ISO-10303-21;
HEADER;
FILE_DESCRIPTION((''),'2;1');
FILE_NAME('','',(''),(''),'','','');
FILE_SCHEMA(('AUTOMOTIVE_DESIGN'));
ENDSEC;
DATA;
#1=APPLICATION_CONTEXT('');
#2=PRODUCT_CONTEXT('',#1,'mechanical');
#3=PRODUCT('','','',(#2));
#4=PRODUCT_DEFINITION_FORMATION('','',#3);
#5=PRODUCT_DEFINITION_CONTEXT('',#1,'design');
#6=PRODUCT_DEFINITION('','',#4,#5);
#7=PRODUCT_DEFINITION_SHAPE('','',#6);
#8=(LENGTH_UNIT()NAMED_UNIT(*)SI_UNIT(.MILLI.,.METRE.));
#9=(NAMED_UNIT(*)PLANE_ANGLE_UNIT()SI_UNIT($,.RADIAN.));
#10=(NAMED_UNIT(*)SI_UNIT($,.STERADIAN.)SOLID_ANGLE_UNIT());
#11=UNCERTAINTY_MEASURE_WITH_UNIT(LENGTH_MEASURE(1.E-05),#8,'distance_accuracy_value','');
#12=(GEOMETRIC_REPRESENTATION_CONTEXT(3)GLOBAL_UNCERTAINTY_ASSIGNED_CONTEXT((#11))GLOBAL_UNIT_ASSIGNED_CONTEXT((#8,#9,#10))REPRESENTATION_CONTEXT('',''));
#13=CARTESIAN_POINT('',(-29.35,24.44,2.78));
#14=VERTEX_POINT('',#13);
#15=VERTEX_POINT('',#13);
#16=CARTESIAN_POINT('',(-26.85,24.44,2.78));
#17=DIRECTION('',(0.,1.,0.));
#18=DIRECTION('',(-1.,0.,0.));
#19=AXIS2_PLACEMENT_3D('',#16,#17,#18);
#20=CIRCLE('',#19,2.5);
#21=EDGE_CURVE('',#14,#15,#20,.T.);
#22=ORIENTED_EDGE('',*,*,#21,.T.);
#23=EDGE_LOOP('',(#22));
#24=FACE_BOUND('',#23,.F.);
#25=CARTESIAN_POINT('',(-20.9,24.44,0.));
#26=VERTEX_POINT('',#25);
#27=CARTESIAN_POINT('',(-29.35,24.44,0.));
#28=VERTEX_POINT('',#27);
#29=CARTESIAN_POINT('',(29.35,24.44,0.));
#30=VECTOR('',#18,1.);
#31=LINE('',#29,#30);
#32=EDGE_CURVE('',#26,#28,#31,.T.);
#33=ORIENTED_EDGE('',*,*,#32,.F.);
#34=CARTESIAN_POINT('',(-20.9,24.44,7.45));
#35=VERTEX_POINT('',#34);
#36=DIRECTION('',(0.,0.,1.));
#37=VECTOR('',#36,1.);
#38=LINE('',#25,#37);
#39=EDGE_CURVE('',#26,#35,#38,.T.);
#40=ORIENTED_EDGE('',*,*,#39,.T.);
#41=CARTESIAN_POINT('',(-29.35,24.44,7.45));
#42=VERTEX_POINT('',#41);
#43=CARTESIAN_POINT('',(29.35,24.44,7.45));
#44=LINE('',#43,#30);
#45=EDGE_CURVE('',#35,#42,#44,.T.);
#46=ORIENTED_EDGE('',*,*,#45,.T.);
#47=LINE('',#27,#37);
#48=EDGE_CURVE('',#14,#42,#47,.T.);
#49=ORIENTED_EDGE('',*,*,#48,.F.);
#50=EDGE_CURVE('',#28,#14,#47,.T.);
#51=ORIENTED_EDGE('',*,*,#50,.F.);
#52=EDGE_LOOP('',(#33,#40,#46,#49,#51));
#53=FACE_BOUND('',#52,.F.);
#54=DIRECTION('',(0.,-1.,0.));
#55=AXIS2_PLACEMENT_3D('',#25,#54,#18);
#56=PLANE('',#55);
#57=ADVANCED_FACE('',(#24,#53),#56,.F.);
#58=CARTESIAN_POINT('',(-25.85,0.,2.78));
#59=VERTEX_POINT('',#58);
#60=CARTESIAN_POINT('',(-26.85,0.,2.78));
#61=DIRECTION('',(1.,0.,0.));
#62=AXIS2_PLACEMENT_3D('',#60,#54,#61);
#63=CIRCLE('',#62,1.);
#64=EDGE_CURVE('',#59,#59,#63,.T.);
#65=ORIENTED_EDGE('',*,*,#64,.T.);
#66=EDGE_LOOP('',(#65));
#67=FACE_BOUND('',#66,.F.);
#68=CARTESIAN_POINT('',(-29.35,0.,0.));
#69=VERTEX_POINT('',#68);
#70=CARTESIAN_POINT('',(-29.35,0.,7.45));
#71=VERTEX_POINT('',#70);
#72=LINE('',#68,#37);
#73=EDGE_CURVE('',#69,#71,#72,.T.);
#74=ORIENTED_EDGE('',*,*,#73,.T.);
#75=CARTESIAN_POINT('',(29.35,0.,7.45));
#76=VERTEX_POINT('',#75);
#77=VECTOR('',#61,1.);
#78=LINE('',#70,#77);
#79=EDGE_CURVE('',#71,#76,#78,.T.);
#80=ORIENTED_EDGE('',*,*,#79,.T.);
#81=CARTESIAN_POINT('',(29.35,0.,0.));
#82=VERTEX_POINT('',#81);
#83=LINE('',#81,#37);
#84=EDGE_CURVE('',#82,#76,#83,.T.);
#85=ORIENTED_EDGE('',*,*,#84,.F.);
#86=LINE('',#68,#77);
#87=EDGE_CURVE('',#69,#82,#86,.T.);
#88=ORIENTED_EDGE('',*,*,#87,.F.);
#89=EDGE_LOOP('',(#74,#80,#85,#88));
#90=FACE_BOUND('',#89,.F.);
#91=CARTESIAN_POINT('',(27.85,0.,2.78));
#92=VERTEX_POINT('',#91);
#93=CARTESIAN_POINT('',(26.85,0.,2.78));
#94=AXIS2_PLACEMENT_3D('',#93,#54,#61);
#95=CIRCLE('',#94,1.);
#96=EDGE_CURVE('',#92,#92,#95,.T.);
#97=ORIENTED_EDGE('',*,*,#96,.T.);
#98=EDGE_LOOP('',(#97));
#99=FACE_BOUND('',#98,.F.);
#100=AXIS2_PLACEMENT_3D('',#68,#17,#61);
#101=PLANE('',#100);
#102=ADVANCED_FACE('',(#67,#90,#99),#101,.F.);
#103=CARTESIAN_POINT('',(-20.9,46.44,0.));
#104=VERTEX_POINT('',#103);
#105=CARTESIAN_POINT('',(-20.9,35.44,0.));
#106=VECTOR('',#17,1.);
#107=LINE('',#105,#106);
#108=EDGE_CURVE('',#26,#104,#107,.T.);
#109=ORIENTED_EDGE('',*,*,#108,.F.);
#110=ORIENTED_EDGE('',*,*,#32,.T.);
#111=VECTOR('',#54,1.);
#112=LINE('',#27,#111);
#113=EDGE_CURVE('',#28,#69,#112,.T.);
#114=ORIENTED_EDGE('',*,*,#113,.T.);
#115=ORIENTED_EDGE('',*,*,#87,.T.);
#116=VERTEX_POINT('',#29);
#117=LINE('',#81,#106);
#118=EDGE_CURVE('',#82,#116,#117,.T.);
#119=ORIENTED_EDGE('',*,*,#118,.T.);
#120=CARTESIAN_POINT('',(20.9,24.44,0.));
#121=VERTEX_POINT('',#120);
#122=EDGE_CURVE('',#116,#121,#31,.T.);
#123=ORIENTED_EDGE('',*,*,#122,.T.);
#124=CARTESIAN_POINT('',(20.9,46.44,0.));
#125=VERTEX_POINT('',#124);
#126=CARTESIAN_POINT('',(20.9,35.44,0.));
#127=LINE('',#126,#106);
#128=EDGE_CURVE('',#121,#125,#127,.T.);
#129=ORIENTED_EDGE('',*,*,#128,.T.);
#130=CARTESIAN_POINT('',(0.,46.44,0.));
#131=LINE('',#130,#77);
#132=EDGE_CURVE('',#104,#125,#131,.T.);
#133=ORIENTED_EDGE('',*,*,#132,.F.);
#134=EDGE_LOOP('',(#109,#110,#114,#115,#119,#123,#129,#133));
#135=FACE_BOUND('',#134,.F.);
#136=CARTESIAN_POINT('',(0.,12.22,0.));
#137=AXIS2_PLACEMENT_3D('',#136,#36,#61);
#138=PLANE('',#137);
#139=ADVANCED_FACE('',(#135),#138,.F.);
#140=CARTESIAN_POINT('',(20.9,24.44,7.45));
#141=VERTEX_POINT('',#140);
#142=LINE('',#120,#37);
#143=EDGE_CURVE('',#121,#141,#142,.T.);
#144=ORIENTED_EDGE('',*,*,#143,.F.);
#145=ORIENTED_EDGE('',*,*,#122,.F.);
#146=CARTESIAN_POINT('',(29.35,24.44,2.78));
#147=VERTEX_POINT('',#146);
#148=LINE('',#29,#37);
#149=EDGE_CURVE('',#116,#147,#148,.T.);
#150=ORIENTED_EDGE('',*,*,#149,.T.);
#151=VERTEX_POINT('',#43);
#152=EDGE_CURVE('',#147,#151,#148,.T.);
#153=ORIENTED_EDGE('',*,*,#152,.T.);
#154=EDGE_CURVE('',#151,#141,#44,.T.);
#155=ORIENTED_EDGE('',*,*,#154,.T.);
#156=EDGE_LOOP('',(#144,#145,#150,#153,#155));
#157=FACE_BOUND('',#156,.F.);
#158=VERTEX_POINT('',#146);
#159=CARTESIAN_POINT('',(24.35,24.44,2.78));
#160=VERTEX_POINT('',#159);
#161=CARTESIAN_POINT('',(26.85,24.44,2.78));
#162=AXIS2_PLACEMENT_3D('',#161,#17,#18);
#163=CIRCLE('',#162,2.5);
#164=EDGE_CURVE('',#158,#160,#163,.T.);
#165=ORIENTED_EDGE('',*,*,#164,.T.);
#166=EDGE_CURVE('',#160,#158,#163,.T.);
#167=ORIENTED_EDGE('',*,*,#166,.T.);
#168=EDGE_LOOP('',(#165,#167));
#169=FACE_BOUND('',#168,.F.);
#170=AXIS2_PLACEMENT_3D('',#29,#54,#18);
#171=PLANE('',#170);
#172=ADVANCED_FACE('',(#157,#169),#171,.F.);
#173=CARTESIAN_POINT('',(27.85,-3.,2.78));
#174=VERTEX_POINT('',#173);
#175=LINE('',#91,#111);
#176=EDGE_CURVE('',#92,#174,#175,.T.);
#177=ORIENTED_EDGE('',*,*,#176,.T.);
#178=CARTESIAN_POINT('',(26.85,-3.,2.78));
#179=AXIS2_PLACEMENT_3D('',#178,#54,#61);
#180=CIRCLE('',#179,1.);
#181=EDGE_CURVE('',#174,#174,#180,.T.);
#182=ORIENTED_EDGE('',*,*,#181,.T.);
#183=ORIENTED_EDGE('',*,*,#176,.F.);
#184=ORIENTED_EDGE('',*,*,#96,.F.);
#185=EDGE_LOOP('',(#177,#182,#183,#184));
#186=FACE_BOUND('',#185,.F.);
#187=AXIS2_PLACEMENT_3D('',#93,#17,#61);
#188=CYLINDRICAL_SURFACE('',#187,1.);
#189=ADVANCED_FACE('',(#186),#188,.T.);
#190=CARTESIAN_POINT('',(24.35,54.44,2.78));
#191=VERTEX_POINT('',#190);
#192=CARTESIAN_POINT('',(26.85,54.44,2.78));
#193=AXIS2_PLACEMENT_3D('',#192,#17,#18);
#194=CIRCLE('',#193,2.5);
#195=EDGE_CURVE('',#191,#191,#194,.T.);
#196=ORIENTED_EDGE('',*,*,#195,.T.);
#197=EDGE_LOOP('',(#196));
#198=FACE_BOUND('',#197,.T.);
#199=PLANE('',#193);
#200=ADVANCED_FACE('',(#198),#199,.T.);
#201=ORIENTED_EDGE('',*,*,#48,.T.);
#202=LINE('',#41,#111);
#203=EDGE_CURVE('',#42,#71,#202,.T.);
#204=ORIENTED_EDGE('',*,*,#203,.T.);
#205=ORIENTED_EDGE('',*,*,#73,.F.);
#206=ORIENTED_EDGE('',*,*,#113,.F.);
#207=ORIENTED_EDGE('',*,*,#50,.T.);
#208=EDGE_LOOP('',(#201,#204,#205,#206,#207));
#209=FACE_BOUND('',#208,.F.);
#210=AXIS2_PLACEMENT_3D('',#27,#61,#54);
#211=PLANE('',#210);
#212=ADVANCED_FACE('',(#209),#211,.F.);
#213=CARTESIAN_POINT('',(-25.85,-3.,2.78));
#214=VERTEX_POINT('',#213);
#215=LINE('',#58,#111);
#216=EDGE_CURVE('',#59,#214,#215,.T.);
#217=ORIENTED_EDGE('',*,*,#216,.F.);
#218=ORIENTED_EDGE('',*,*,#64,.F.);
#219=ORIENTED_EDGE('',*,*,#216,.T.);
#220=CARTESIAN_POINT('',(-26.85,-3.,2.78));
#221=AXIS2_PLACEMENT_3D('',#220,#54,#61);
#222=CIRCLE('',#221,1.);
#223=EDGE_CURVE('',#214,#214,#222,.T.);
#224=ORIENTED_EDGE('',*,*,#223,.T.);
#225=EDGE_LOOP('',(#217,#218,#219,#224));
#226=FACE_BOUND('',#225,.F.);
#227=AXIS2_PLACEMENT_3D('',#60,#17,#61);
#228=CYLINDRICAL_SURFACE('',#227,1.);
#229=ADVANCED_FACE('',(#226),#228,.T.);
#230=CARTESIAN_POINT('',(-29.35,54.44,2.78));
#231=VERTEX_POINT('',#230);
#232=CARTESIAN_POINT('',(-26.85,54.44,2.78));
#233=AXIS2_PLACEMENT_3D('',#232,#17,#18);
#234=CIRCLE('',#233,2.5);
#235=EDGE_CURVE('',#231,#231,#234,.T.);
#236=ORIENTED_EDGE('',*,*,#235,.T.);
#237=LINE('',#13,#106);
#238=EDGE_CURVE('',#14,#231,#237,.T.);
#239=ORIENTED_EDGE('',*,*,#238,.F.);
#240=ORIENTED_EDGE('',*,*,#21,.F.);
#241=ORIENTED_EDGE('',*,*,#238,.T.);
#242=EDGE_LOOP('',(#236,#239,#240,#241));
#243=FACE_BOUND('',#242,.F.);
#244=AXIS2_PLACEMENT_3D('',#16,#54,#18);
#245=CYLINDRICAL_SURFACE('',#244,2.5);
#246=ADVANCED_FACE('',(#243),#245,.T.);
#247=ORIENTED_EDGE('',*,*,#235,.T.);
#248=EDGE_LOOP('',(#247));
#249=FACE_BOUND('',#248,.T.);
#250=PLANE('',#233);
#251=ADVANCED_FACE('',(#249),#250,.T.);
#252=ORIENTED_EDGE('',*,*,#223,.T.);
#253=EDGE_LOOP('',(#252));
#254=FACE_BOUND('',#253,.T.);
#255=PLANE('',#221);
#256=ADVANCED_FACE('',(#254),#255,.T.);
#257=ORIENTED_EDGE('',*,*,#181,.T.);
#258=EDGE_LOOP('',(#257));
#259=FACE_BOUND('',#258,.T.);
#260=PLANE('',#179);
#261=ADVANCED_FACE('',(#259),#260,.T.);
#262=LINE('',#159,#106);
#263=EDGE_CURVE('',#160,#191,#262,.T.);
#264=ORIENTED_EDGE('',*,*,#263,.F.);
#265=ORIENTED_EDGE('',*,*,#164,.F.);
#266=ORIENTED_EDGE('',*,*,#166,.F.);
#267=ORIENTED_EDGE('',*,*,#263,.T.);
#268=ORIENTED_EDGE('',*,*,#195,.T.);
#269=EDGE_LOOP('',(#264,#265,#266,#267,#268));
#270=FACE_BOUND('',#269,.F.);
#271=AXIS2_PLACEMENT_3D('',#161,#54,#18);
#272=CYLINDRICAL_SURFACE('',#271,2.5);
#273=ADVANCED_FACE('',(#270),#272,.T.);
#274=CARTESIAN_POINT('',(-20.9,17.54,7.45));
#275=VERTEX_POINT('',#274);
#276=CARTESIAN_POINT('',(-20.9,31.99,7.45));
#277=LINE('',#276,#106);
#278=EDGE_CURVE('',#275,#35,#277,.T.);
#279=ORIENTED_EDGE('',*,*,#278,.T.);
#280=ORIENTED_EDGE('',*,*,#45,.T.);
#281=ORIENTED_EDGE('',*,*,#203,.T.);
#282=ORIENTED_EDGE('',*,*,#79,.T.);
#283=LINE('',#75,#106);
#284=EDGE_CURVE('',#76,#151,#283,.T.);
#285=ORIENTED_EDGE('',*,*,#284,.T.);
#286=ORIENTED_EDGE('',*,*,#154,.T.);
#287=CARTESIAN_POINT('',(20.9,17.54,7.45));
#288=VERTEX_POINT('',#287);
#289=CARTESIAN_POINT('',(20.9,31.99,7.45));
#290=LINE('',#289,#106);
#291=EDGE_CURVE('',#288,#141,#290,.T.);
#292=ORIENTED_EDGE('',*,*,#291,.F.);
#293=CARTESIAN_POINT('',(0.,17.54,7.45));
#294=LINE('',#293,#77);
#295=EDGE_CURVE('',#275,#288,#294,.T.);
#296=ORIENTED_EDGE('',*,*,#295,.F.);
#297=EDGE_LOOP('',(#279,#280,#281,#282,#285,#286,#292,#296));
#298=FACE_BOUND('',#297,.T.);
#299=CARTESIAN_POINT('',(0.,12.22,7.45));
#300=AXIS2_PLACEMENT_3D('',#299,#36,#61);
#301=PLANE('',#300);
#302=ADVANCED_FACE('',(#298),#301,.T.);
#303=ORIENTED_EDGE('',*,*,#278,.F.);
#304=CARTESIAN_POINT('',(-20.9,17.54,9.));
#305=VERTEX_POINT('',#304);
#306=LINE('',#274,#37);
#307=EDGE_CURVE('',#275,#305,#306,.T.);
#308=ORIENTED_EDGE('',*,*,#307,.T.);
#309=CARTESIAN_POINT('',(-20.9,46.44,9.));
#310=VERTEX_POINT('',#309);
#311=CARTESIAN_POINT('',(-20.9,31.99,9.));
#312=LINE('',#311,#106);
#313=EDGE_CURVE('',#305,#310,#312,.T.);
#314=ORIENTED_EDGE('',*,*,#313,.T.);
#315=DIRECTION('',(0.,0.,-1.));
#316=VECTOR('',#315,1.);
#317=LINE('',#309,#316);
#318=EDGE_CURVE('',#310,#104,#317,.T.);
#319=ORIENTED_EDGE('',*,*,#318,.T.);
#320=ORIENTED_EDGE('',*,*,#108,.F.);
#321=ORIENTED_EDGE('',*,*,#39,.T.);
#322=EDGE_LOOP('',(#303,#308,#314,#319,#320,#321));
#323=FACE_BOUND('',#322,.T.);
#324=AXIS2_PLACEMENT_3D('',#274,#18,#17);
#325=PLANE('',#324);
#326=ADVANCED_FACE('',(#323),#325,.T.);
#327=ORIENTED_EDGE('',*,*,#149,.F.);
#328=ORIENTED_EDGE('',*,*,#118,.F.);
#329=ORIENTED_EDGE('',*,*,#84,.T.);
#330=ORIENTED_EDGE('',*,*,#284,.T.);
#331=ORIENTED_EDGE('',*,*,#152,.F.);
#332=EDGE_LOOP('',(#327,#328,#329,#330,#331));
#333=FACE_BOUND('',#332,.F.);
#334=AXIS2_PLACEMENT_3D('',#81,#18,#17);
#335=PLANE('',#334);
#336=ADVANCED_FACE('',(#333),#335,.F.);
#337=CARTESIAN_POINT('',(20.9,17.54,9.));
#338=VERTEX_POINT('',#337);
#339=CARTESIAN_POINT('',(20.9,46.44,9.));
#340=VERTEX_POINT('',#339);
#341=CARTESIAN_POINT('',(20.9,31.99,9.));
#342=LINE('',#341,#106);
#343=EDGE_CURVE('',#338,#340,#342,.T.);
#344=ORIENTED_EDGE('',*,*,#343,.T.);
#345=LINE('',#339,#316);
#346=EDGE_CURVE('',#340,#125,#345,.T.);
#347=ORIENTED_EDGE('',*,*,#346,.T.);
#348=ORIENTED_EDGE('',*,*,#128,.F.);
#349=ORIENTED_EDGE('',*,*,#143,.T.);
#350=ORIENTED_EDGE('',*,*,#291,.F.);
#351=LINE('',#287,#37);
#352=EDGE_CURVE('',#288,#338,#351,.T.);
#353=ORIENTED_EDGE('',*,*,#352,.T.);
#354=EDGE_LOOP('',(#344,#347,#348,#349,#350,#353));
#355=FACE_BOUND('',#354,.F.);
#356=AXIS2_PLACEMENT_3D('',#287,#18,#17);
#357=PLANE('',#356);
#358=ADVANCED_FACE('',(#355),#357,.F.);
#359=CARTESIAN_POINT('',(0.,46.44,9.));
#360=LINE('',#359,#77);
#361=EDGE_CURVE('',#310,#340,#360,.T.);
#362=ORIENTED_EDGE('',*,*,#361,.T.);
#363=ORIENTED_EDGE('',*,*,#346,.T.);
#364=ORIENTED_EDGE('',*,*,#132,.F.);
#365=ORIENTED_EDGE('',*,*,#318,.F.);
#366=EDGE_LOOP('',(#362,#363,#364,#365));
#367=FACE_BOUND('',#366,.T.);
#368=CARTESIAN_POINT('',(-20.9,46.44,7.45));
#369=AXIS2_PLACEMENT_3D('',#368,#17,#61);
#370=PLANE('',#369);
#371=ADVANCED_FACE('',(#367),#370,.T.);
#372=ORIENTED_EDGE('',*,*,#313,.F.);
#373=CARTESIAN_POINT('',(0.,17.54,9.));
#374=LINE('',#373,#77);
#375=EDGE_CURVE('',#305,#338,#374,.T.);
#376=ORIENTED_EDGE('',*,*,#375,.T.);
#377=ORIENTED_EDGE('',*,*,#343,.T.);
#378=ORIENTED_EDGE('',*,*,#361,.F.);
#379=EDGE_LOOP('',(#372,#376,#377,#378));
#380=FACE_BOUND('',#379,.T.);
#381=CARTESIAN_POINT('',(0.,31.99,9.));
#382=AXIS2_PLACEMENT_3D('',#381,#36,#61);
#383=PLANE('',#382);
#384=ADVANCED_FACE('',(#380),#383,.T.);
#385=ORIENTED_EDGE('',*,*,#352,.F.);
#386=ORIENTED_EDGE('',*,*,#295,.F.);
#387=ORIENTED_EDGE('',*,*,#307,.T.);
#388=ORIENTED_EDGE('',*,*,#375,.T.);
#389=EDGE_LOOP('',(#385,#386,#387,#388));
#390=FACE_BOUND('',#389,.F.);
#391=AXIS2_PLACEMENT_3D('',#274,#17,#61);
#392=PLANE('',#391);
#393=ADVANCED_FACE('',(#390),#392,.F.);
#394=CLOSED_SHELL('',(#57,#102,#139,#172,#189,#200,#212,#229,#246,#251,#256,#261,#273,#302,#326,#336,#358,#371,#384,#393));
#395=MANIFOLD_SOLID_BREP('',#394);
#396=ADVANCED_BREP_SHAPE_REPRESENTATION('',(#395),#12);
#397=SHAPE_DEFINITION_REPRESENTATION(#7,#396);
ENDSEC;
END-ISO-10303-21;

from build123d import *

# Parameters (mm, degrees)
F0_W     = 41.8
F0_H     = 22
F1_DEPTH = 7.45
F2_W     = 41.8
F2_H     = 28.9
F3_DEPTH = 1.55
F4_R     = 1
F5_DEPTH = 3
F6_R     = 2.5
F7_DEPTH = 30


with BuildPart() as f1:
    # F0 (on Top) → F1 (new body)
    with BuildSketch(Plane.XY):
        Polygon((-29.35, 0), (29.35, 0), (29.35, 24.44), (20.9, 24.44), (-20.9, 24.44), (-29.35, 24.44), align=None)
        with Locations((0, 35.44)):
            Rectangle(F0_W, F0_H)
    extrude(amount=F1_DEPTH)

    # F2 (on face) → F3 (join)
    with BuildSketch(Plane.XY.offset(7.45)):
        with Locations((0, 31.99)):
            Rectangle(F2_W, F2_H)
    extrude(amount=F3_DEPTH)

    # F4 (on face) → F5 (join)
    with BuildSketch(Plane.XZ):
        with Locations((-26.85, 2.78)):
            Circle(F4_R)
        with Locations((26.85, 2.78)):
            Circle(F4_R)
    extrude(amount=F5_DEPTH)

    # F6 (on face) → F7 (join)
    with BuildSketch(Plane(origin=(0, 24.44, 0), x_dir=(-1, 0, 0), z_dir=(0, 1, 0))):
        with Locations((-26.85, 2.78)):
            Circle(F6_R)
        with Locations((26.85, 2.78)):
            Circle(F6_R)
    extrude(amount=F7_DEPTH)


solid = f1.part
